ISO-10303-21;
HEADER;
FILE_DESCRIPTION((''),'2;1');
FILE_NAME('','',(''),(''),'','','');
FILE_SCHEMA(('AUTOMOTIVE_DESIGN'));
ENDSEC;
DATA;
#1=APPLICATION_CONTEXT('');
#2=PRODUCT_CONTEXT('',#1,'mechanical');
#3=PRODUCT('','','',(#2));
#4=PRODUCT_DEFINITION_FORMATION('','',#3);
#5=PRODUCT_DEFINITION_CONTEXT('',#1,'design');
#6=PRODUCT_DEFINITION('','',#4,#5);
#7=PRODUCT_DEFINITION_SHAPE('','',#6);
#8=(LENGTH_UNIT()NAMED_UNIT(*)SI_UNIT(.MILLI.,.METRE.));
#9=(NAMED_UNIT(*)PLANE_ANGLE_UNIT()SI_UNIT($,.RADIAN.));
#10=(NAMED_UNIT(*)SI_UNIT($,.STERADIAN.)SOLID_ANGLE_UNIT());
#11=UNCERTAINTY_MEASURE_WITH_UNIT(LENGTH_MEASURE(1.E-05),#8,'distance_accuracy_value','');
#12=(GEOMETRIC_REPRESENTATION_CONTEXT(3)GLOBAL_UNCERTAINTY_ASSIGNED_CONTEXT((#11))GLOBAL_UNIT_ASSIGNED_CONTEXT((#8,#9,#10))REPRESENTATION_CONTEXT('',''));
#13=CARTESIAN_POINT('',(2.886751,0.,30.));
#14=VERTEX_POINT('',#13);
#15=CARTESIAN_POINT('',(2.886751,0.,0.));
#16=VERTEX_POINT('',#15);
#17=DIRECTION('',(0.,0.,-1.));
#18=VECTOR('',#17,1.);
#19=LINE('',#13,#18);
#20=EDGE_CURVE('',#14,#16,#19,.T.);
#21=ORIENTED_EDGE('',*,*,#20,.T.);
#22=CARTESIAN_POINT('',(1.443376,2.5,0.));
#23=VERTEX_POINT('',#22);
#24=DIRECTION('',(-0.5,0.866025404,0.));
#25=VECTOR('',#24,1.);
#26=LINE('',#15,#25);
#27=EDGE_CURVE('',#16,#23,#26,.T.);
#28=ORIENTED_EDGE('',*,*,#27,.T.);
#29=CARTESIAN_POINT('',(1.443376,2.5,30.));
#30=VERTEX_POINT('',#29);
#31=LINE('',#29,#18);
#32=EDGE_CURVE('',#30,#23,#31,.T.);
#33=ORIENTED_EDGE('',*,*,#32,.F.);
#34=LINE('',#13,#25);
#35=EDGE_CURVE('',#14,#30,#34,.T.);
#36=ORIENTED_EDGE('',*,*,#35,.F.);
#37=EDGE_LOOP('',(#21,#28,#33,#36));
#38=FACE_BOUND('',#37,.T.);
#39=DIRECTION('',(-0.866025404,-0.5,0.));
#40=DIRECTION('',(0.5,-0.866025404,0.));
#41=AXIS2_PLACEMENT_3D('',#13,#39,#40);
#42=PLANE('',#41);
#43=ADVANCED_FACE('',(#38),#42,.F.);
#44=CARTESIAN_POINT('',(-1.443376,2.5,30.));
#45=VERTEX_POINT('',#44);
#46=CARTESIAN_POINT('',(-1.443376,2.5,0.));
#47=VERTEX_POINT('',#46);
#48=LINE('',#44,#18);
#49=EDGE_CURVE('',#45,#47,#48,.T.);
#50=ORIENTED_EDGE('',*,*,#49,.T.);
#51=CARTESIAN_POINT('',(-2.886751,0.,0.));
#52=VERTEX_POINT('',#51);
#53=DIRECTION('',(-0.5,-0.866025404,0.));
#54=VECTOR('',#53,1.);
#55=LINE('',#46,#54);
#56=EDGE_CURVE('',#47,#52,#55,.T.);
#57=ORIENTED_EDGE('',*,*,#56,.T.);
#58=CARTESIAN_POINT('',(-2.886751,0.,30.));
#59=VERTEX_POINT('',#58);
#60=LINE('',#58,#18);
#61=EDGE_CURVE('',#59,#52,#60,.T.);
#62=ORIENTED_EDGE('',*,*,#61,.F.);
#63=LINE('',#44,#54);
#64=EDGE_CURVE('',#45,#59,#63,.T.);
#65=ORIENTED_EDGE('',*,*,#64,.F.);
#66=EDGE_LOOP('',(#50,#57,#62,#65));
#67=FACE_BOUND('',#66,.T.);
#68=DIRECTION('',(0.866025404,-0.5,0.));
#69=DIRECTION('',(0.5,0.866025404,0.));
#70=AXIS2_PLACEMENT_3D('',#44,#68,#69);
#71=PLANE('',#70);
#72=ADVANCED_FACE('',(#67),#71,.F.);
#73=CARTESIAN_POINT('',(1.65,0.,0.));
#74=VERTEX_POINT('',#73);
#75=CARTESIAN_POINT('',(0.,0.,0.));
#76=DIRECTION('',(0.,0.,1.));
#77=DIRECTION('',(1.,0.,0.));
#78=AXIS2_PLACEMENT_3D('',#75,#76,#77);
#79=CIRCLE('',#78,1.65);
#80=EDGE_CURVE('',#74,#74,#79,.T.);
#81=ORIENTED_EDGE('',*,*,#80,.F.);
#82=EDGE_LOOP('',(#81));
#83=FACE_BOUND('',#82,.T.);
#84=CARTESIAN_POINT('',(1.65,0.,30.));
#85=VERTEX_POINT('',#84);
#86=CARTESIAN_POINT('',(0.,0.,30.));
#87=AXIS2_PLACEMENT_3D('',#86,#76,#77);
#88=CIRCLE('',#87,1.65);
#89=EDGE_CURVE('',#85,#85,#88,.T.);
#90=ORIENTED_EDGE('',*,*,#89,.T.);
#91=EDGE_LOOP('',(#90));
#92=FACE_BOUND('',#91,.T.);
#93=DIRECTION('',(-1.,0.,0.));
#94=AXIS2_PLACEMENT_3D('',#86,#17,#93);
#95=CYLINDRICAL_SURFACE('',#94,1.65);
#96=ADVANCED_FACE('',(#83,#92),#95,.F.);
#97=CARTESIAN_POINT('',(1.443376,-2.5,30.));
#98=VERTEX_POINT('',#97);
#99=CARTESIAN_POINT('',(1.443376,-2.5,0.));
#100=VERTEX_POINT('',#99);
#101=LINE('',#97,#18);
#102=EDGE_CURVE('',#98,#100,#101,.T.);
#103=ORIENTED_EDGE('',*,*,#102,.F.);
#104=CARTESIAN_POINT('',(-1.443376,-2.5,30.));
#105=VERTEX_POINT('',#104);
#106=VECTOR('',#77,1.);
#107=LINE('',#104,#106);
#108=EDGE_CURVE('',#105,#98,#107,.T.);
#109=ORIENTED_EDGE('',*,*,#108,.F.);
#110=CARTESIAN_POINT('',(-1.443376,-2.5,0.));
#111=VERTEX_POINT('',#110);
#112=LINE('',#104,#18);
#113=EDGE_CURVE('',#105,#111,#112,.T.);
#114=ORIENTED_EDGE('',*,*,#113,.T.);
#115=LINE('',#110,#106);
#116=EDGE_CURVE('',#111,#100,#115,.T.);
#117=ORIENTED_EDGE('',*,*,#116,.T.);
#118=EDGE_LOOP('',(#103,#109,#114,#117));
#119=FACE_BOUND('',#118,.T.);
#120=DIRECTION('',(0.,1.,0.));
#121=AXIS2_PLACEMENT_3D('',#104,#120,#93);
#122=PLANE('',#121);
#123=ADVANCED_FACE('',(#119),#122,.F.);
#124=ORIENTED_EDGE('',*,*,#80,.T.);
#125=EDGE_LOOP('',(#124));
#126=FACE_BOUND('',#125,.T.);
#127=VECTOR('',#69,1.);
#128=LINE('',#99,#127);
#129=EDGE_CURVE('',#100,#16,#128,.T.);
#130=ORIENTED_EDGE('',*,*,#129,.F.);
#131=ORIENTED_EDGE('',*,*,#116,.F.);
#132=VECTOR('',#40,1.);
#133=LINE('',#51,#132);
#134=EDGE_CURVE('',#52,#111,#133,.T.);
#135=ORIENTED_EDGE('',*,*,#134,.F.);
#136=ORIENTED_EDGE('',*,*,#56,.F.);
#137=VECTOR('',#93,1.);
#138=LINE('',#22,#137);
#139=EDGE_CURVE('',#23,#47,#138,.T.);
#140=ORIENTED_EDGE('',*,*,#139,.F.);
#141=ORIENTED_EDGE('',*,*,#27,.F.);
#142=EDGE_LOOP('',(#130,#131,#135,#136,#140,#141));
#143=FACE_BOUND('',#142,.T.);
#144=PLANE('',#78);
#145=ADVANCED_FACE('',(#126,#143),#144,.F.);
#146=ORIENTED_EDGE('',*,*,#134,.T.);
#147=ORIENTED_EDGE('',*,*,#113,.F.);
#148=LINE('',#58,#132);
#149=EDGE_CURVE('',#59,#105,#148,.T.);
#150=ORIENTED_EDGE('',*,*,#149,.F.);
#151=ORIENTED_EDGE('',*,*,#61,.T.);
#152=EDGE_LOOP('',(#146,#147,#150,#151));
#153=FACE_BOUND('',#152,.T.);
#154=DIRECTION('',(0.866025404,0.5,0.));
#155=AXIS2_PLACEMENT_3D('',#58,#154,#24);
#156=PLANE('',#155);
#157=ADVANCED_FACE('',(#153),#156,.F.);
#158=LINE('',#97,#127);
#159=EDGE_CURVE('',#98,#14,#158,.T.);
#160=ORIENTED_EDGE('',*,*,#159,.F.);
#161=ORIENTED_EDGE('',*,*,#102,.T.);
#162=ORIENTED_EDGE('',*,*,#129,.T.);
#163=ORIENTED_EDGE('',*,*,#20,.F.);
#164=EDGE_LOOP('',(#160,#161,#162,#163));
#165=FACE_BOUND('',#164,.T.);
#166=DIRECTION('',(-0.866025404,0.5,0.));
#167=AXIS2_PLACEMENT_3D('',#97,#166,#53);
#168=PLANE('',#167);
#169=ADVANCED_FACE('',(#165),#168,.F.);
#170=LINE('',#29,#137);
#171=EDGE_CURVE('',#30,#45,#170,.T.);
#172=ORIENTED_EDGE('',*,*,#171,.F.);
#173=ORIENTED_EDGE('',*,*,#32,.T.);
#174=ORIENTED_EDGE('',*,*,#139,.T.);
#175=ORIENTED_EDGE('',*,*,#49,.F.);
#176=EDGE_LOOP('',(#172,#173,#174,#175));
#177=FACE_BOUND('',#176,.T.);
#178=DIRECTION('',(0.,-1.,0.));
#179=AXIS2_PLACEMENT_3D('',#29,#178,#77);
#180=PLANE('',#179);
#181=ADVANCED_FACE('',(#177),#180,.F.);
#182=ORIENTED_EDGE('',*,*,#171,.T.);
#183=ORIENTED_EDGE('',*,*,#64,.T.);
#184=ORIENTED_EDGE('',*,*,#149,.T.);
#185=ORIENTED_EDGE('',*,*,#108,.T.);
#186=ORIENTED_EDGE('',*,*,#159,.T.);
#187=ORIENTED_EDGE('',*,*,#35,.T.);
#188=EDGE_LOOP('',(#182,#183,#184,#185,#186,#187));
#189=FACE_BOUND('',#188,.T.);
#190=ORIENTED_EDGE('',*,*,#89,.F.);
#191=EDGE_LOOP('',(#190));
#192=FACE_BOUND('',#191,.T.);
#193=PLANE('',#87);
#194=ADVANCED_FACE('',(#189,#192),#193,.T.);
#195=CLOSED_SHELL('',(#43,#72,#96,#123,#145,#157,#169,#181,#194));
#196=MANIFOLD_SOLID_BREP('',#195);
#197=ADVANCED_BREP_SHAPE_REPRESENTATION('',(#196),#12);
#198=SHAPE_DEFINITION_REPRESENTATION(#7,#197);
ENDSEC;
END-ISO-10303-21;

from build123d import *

# Parameters (mm, degrees)
SKETCH_1_R        = 1.65
F_30MM_M3_5_DEPTH = 30


with BuildPart() as part:
    # 草图1 → 30mm铝柱_M3通孔_六角5 (new body)
    with BuildSketch(Plane.XY):
        Polygon((2.886751346, 0), (1.443375673, 2.5), (-1.443375673, 2.5), (-2.886751346, 0), (-1.443375673, -2.5), (1.443375673, -2.5), align=None)
        Circle(SKETCH_1_R, mode=Mode.SUBTRACT)
    extrude(amount=F_30MM_M3_5_DEPTH)


solid = part.part
